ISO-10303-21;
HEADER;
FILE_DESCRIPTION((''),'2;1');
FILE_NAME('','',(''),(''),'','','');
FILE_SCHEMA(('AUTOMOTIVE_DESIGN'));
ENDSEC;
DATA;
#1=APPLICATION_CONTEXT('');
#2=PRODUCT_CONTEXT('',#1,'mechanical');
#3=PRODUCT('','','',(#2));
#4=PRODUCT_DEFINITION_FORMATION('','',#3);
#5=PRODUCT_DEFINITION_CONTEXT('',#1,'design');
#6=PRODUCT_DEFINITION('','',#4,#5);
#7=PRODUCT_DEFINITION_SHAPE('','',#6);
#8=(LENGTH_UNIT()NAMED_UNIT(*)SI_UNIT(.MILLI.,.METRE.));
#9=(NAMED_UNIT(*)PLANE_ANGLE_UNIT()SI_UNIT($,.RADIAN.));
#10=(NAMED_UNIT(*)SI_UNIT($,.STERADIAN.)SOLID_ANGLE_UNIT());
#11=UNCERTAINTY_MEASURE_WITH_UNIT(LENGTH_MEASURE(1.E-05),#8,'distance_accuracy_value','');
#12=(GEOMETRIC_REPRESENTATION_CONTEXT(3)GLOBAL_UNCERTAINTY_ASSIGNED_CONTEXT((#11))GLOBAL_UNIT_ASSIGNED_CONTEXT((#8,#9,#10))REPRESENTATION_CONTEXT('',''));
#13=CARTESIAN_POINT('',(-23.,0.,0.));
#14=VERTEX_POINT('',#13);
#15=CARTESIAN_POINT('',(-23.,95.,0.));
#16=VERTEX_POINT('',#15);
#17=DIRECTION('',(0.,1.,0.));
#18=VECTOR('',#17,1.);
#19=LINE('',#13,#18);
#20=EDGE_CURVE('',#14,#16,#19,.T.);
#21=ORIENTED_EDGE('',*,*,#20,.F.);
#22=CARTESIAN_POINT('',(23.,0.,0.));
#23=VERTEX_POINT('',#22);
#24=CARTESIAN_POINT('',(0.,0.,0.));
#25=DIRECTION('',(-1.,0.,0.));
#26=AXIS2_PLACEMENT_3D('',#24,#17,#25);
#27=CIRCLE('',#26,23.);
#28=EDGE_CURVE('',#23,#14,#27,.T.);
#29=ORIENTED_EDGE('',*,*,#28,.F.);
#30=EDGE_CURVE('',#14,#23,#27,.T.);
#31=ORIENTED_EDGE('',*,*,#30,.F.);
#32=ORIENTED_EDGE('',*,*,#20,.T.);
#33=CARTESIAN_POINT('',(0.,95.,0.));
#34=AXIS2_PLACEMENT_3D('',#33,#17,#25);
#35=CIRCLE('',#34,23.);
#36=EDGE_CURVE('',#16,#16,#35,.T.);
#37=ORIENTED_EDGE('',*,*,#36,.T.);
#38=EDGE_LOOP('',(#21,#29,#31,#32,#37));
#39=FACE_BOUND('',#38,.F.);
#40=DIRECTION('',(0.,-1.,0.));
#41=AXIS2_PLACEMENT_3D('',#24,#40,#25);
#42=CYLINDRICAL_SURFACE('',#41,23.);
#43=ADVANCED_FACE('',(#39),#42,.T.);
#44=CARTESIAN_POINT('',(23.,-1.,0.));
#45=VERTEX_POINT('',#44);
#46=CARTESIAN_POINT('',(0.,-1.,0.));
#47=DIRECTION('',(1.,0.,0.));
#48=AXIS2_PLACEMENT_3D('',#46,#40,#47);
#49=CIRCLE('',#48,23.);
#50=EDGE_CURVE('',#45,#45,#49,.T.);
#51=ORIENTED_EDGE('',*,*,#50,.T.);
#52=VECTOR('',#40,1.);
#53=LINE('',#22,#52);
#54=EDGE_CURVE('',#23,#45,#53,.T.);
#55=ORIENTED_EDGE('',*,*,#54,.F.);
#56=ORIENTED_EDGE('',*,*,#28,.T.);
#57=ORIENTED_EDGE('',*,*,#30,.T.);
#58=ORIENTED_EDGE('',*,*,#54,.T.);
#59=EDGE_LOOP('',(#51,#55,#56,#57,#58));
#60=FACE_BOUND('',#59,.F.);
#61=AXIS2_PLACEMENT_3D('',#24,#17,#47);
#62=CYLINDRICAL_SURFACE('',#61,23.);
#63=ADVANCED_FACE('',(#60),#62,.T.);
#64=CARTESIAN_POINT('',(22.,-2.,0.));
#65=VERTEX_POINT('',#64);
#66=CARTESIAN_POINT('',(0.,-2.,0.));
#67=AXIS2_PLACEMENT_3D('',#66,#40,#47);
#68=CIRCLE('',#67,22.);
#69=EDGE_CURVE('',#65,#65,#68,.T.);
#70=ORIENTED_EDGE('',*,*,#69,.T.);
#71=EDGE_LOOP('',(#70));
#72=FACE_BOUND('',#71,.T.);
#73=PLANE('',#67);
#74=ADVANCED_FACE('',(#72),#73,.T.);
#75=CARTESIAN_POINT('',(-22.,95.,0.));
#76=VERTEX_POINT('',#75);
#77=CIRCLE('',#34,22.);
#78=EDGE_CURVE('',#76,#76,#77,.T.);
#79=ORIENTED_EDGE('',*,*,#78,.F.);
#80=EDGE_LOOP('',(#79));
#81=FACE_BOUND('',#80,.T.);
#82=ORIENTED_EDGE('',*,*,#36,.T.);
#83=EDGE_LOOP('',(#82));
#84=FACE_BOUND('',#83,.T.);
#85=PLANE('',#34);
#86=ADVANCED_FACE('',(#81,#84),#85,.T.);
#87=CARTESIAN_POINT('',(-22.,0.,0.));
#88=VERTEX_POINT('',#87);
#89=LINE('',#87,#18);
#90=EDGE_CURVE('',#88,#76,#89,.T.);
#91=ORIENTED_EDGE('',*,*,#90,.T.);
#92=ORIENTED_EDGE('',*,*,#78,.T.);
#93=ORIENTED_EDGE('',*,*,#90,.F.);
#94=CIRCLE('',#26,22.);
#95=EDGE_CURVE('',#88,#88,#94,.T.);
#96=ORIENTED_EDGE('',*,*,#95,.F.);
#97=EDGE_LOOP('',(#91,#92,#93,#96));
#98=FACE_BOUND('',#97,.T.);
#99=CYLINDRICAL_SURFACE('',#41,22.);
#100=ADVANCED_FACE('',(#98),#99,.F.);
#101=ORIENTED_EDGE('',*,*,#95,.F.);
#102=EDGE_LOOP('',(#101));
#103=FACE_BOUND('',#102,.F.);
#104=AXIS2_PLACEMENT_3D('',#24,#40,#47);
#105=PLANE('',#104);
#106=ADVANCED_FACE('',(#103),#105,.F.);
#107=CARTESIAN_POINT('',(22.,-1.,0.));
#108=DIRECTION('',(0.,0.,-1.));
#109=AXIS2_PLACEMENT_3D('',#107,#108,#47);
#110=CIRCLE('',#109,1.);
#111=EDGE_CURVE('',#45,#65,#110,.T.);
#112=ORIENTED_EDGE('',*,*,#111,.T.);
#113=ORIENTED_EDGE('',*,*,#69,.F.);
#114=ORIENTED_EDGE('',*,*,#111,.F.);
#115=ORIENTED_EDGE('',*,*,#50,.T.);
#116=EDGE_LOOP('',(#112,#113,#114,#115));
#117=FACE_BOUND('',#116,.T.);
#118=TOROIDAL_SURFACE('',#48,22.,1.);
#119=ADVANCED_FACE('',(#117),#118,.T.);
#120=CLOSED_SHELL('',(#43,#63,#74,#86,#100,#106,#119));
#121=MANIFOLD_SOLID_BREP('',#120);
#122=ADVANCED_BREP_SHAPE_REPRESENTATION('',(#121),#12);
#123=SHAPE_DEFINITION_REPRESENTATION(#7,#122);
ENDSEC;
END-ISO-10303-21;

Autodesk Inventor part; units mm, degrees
ref_plane "YZ Plane" through (0, 0, 0) normal (1, 0, 0) x (0, 1, 0)
ref_plane "XZ Plane" through (0, 0, 0) normal (0, 1, 0) x (-1, 0, 0)
ref_plane "XY Plane" through (0, 0, 0) normal (0, 0, 1) x (1, 0, 0)
sketch "Sketch1" plane through (0, 0, 0) normal (0, 1, 0) x (-1, 0, 0)
  circle A0 centre (0, 0) radius 22
  circle A1 centre (0, 0) radius 23
  dimension "d0" = 44
  dimension "d1" = 46
extrude "Extrusion1" add sketch "Sketch1" along normal blind 95
sketch "Sketch2" plane through (0, 0, 0) normal (0, -1, 0) x (1, 0, 0)
  circle A0 centre (0, 0) radius 23 projected
  circle A1 centre (0, -23) radius 0.5
  dimension "d8" = 1
sketch "Sketch3" plane through (0, 0, 0) normal (0, -1, 0) x (1, 0, 0)
  circle A0 centre (0, 0) radius 23
  dimension "d4" = 46
extrude "Extrusion2" add sketch "Sketch3" along normal blind 2
fillet "Fillet1" radius 1 1 edges at (-23, -2, 0)
properties part number "Dalek Light"
